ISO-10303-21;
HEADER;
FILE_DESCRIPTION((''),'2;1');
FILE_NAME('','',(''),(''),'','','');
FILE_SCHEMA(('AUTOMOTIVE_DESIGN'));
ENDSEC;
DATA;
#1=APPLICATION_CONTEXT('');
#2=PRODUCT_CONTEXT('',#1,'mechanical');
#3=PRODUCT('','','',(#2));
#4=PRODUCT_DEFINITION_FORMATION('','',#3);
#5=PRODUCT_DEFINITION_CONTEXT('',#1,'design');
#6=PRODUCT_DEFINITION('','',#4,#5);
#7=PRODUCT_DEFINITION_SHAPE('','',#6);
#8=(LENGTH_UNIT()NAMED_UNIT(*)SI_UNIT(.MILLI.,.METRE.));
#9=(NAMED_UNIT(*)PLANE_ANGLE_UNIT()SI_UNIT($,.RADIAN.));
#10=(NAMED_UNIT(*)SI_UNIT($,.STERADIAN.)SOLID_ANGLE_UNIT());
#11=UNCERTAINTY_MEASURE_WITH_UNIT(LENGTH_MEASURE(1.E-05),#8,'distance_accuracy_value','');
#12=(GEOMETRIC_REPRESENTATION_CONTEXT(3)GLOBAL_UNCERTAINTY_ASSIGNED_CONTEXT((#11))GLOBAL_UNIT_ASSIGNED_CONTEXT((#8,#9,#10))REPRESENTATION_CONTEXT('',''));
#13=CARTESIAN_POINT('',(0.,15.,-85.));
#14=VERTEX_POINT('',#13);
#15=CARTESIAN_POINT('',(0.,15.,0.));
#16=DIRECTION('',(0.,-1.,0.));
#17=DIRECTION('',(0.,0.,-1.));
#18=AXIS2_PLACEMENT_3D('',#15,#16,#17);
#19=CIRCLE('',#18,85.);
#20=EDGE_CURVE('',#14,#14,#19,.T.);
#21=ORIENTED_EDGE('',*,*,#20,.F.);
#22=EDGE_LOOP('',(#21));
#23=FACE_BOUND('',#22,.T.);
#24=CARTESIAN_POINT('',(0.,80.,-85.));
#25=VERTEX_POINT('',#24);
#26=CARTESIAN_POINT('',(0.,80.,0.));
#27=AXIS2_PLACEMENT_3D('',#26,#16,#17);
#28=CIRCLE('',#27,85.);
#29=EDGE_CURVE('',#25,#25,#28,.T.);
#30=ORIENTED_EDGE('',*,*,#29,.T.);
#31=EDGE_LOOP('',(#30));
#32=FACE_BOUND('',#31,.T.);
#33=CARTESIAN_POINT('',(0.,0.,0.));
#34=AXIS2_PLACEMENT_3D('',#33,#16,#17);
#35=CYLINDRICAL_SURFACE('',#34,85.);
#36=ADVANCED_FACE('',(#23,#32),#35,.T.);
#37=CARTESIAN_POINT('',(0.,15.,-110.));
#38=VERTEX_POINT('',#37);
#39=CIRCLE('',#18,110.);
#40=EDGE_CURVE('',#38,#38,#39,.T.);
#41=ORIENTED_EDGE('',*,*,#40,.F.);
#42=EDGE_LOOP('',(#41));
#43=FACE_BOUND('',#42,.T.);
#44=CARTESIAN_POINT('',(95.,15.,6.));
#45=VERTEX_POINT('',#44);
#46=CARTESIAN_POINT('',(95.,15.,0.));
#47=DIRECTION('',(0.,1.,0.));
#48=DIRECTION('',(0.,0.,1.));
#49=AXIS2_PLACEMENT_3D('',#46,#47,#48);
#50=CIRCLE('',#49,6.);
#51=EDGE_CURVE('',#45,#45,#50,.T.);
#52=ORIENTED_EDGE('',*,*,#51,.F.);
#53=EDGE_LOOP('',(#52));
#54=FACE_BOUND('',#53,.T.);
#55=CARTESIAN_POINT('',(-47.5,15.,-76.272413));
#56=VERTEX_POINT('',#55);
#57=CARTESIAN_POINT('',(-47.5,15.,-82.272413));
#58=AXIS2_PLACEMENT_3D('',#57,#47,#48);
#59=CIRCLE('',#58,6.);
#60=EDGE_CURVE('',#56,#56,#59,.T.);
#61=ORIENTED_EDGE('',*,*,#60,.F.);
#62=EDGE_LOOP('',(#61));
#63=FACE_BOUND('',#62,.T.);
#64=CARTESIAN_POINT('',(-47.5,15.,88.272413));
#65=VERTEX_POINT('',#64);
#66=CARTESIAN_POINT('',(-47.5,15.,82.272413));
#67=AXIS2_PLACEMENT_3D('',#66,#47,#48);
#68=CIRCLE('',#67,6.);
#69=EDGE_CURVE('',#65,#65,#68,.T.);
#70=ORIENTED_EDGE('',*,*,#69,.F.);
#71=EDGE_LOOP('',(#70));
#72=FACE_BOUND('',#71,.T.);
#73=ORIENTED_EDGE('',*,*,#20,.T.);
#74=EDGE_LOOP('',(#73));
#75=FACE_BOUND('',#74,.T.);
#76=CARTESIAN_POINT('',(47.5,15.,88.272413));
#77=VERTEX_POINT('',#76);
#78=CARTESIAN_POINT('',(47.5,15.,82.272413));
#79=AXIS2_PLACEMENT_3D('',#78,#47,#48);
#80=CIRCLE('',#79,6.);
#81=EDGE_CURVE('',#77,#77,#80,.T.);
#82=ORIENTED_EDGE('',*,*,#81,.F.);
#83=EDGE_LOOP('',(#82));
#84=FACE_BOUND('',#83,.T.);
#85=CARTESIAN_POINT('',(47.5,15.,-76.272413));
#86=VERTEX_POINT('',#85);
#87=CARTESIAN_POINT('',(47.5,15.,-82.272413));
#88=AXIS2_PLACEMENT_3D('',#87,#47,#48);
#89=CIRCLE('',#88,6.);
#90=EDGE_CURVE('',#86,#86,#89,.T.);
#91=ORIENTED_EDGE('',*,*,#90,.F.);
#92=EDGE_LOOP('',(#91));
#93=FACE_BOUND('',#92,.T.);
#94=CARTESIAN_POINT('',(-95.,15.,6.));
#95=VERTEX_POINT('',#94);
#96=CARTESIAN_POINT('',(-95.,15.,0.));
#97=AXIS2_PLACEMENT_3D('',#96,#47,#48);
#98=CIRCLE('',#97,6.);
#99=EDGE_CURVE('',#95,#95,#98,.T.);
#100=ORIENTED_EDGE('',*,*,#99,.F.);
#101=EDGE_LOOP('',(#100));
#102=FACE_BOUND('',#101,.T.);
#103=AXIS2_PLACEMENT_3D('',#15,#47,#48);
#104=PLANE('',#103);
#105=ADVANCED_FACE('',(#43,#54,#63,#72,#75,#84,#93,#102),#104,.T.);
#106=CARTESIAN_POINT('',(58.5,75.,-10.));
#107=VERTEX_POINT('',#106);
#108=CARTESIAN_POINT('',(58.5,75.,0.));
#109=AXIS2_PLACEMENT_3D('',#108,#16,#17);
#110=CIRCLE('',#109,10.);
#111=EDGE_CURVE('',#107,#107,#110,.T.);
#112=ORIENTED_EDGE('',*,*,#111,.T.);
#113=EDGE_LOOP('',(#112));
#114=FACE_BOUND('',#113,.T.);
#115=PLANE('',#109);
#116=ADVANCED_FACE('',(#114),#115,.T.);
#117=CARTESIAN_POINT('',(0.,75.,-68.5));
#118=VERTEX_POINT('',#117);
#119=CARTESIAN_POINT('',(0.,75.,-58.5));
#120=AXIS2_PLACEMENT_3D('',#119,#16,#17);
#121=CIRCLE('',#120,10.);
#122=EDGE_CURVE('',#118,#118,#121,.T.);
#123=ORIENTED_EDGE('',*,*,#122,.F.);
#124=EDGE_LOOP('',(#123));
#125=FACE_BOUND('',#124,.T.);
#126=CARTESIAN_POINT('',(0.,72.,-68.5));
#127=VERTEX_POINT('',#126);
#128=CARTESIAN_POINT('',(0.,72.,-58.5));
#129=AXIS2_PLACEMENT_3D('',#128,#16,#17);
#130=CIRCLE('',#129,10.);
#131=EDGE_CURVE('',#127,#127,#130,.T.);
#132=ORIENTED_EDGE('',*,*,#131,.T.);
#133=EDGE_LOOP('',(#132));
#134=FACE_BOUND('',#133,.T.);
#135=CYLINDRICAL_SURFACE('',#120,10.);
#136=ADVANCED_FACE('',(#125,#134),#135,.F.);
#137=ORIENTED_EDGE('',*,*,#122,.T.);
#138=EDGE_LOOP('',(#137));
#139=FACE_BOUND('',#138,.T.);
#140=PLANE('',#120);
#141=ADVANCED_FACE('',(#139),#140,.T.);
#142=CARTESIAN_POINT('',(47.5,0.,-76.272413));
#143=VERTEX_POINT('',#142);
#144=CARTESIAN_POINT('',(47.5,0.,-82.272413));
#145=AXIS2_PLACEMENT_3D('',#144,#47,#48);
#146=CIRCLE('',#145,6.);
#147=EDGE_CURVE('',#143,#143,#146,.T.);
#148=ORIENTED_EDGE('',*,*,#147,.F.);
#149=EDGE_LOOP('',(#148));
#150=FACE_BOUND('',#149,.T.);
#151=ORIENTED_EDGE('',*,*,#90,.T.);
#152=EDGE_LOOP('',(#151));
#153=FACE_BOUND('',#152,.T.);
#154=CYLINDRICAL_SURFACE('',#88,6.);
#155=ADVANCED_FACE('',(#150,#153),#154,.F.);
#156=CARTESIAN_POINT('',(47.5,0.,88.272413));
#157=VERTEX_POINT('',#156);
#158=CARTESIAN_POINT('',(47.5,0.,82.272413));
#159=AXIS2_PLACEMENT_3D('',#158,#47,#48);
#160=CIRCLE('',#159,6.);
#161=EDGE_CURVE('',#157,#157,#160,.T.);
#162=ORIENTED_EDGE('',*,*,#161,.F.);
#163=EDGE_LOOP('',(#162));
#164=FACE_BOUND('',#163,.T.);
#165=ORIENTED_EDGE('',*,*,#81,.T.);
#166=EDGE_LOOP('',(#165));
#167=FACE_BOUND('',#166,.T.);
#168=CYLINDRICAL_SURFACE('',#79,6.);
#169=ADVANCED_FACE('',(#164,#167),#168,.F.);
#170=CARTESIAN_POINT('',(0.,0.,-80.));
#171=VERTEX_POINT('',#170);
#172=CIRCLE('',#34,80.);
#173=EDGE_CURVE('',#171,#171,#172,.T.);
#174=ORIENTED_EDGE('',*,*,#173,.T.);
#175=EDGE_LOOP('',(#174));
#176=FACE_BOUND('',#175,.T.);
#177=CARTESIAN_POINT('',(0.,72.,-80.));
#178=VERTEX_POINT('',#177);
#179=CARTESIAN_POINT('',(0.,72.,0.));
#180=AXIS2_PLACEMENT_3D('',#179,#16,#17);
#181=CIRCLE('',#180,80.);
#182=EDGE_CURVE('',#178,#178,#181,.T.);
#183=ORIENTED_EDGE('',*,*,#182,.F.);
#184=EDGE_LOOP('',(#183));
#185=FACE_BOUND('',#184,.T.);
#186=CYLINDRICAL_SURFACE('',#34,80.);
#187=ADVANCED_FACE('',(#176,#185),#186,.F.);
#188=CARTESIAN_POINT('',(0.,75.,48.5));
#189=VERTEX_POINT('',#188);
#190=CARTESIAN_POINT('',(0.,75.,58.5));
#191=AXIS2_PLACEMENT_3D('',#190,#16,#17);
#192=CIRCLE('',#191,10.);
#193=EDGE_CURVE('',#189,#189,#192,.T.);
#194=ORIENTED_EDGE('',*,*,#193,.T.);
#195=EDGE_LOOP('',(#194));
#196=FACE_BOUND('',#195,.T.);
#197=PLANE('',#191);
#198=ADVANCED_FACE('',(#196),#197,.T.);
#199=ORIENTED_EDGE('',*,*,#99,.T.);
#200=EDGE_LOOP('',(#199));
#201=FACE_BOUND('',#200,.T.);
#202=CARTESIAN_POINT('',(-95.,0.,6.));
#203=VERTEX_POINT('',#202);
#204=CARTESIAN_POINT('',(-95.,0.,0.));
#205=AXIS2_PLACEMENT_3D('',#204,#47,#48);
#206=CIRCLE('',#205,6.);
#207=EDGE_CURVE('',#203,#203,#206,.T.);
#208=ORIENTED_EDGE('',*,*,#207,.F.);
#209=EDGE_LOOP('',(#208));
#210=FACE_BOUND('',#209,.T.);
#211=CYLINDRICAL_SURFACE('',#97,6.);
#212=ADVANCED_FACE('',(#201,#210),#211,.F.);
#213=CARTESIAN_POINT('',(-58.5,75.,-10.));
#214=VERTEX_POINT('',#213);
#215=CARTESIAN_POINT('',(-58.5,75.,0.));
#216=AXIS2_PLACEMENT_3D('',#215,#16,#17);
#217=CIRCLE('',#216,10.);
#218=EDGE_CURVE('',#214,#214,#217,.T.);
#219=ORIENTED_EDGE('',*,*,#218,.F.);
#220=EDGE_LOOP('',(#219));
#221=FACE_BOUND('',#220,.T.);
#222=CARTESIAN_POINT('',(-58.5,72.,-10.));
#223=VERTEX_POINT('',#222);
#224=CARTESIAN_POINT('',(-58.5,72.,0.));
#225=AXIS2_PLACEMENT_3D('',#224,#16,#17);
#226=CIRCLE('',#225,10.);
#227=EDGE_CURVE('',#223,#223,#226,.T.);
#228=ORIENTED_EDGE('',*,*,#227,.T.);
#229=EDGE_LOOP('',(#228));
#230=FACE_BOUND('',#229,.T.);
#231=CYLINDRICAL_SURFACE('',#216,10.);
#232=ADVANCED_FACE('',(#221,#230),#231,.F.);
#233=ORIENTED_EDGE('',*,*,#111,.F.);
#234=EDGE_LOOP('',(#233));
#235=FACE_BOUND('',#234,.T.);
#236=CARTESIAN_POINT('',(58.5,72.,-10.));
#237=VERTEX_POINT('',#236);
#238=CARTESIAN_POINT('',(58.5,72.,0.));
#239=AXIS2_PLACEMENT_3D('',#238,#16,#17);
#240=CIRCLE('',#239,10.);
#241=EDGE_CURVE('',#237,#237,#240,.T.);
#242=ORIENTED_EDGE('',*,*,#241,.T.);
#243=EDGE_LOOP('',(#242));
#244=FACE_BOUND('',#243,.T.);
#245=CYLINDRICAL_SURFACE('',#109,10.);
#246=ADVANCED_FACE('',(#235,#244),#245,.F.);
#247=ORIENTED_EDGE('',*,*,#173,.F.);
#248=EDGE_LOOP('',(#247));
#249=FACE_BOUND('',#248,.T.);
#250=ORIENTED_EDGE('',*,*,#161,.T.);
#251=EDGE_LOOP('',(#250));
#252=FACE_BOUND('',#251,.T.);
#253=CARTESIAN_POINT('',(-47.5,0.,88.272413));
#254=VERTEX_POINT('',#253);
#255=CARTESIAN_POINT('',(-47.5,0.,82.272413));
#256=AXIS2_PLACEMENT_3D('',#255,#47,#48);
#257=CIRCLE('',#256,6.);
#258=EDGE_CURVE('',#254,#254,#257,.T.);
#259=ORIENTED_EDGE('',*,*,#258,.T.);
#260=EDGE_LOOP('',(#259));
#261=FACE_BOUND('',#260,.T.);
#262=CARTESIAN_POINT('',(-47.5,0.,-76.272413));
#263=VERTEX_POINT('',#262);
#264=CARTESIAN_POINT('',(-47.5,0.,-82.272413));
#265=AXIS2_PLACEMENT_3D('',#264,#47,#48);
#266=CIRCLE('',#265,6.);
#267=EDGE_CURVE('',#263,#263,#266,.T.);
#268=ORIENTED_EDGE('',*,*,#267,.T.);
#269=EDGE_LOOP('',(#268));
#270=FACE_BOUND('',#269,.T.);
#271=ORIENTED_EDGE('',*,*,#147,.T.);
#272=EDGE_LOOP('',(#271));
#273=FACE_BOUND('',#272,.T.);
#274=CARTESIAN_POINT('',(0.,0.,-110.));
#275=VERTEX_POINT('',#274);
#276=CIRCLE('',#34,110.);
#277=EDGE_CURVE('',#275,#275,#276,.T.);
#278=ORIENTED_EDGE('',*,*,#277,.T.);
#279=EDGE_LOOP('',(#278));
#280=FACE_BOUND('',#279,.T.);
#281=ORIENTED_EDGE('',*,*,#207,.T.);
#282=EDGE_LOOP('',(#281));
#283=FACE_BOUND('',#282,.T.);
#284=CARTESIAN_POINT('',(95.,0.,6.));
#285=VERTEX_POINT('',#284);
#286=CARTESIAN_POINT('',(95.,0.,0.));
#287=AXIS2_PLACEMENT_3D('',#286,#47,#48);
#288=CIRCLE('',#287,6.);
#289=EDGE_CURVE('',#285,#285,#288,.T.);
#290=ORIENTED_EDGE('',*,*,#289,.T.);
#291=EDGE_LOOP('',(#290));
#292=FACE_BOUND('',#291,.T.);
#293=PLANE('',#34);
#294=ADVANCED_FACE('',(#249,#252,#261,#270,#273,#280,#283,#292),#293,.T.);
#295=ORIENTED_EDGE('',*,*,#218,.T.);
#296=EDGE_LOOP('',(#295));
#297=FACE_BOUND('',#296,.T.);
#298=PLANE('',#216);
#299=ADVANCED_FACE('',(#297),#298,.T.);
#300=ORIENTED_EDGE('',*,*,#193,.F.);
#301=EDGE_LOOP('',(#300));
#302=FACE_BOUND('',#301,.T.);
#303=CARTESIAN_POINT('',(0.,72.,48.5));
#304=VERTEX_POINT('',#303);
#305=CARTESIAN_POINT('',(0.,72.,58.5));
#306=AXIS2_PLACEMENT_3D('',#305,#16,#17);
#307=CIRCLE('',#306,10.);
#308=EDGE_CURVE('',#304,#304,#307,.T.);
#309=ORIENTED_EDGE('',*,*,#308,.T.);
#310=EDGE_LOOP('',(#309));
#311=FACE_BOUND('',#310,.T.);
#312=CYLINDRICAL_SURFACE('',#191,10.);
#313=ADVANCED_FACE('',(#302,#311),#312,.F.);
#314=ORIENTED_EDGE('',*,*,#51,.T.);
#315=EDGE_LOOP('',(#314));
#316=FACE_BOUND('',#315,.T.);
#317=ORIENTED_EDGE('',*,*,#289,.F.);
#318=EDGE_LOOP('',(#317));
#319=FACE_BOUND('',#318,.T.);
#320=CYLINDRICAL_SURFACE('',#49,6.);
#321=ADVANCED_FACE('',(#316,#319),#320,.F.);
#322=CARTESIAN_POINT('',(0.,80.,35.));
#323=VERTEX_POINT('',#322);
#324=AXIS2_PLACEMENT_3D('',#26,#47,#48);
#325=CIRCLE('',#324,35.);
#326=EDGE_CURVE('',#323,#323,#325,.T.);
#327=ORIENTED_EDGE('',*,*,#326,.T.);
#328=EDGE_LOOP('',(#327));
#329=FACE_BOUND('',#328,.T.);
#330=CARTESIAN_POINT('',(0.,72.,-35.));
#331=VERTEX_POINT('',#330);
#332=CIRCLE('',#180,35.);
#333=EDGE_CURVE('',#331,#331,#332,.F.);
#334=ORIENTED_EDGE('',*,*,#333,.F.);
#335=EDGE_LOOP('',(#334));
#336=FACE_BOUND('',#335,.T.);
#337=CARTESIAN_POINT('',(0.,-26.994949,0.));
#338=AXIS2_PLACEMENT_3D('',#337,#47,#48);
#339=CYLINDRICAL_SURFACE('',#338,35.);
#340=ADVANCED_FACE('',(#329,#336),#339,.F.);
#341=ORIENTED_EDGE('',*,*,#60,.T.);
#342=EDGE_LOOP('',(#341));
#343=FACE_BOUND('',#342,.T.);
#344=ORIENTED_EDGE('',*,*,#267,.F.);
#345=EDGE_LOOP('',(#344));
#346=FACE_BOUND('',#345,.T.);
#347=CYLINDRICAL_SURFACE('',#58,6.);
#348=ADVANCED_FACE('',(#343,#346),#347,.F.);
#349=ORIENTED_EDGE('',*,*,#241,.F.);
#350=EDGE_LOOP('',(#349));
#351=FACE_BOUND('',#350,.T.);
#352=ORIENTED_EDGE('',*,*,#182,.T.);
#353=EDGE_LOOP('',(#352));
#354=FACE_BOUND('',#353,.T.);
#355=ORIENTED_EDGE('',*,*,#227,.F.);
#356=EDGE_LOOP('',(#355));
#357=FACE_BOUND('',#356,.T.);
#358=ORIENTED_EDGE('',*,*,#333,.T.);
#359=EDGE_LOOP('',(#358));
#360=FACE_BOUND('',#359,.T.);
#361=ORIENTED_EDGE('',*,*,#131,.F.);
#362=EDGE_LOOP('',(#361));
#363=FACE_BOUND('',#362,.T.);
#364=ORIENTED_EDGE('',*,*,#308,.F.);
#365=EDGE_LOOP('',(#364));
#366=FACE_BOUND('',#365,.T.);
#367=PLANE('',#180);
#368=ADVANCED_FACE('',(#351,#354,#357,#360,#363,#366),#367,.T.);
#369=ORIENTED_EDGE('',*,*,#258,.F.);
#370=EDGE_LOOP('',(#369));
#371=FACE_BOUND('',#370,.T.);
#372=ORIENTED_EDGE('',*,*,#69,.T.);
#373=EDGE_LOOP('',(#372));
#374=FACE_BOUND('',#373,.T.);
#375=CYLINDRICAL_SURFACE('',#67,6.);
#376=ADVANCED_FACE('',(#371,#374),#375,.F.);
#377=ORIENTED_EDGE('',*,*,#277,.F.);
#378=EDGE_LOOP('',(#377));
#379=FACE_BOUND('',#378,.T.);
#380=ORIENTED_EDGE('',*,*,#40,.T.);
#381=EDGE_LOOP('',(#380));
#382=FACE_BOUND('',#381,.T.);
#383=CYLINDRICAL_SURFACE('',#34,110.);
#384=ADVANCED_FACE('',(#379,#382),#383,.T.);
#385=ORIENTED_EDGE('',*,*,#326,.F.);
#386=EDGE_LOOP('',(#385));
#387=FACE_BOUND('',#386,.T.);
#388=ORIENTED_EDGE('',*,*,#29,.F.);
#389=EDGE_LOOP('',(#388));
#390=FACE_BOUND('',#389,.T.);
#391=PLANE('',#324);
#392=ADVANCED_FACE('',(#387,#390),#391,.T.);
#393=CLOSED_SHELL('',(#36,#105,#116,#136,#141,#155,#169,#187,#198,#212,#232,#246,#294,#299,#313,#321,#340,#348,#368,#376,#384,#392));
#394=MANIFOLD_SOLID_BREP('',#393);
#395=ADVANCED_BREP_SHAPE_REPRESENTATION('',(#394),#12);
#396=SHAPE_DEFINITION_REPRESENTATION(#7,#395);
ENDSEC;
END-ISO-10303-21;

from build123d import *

# Parameters (mm, degrees)
SKETCH2_R                  = 35
CUT_EXTRUDE1_DEPTH         = 8
F_12_0_12_DIAMETER_HOLE1_D = 12
SKETCH7_R                  = 10
CUT_EXTRUDE2_DEPTH         = 3


with BuildPart() as part:
    # Sketch1 → Revolve1 (revolve)
    with BuildSketch(Plane.XY, mode=Mode.PRIVATE) as revolve1_sk:
        Polygon((-80, 72), (0, 72), (0, 80), (-85, 80), (-85, 15), (-110, 15), (-110, 0), (-80, 0), align=None)
    revolve(revolve1_sk.sketch.rotate(Axis((0, 0, 0), (0, 1, 0)), 270), axis=Axis((0, 0, 0), (0, 1, 0)))

    # Sketch2 → Cut-Extrude1 (cut)
    with BuildSketch(Plane(origin=(0, 80, 0), x_dir=(1, 0, 0), z_dir=(0, 1, 0))):
        with Locations(Location((0, 0, 0), (0, 0, 270))):
            Circle(SKETCH2_R)
    extrude(amount=-CUT_EXTRUDE1_DEPTH, mode=Mode.SUBTRACT)

    # Ø12.0 (12) Diameter Hole1 (through all)
    with Locations(Plane(origin=(0, 15, 0), x_dir=(1, 0, 0), z_dir=(0, 1, 0))):
        with Locations((-47.5, -82.27241336), (-95, 0), (-47.5, 82.27241336), (47.5, 82.27241336), (95, 0), (47.5, -82.27241336)):
            Hole(F_12_0_12_DIAMETER_HOLE1_D / 2)

    # Sketch7 → Cut-Extrude2 (cut)
    with BuildSketch(Plane.XZ.offset(-72)):
        with Locations(Location((0, 58.5, 0), (0, 0, 270))):
            Circle(SKETCH7_R)
        with Locations(Location((58.5, 0, 0), (0, 0, 270))):
            Circle(SKETCH7_R)
        with Locations(Location((0, -58.5, 0), (0, 0, 270))):
            Circle(SKETCH7_R)
        with Locations(Location((-58.5, 0, 0), (0, 0, 270))):
            Circle(SKETCH7_R)
    extrude(amount=-CUT_EXTRUDE2_DEPTH, mode=Mode.SUBTRACT)


solid = part.part
